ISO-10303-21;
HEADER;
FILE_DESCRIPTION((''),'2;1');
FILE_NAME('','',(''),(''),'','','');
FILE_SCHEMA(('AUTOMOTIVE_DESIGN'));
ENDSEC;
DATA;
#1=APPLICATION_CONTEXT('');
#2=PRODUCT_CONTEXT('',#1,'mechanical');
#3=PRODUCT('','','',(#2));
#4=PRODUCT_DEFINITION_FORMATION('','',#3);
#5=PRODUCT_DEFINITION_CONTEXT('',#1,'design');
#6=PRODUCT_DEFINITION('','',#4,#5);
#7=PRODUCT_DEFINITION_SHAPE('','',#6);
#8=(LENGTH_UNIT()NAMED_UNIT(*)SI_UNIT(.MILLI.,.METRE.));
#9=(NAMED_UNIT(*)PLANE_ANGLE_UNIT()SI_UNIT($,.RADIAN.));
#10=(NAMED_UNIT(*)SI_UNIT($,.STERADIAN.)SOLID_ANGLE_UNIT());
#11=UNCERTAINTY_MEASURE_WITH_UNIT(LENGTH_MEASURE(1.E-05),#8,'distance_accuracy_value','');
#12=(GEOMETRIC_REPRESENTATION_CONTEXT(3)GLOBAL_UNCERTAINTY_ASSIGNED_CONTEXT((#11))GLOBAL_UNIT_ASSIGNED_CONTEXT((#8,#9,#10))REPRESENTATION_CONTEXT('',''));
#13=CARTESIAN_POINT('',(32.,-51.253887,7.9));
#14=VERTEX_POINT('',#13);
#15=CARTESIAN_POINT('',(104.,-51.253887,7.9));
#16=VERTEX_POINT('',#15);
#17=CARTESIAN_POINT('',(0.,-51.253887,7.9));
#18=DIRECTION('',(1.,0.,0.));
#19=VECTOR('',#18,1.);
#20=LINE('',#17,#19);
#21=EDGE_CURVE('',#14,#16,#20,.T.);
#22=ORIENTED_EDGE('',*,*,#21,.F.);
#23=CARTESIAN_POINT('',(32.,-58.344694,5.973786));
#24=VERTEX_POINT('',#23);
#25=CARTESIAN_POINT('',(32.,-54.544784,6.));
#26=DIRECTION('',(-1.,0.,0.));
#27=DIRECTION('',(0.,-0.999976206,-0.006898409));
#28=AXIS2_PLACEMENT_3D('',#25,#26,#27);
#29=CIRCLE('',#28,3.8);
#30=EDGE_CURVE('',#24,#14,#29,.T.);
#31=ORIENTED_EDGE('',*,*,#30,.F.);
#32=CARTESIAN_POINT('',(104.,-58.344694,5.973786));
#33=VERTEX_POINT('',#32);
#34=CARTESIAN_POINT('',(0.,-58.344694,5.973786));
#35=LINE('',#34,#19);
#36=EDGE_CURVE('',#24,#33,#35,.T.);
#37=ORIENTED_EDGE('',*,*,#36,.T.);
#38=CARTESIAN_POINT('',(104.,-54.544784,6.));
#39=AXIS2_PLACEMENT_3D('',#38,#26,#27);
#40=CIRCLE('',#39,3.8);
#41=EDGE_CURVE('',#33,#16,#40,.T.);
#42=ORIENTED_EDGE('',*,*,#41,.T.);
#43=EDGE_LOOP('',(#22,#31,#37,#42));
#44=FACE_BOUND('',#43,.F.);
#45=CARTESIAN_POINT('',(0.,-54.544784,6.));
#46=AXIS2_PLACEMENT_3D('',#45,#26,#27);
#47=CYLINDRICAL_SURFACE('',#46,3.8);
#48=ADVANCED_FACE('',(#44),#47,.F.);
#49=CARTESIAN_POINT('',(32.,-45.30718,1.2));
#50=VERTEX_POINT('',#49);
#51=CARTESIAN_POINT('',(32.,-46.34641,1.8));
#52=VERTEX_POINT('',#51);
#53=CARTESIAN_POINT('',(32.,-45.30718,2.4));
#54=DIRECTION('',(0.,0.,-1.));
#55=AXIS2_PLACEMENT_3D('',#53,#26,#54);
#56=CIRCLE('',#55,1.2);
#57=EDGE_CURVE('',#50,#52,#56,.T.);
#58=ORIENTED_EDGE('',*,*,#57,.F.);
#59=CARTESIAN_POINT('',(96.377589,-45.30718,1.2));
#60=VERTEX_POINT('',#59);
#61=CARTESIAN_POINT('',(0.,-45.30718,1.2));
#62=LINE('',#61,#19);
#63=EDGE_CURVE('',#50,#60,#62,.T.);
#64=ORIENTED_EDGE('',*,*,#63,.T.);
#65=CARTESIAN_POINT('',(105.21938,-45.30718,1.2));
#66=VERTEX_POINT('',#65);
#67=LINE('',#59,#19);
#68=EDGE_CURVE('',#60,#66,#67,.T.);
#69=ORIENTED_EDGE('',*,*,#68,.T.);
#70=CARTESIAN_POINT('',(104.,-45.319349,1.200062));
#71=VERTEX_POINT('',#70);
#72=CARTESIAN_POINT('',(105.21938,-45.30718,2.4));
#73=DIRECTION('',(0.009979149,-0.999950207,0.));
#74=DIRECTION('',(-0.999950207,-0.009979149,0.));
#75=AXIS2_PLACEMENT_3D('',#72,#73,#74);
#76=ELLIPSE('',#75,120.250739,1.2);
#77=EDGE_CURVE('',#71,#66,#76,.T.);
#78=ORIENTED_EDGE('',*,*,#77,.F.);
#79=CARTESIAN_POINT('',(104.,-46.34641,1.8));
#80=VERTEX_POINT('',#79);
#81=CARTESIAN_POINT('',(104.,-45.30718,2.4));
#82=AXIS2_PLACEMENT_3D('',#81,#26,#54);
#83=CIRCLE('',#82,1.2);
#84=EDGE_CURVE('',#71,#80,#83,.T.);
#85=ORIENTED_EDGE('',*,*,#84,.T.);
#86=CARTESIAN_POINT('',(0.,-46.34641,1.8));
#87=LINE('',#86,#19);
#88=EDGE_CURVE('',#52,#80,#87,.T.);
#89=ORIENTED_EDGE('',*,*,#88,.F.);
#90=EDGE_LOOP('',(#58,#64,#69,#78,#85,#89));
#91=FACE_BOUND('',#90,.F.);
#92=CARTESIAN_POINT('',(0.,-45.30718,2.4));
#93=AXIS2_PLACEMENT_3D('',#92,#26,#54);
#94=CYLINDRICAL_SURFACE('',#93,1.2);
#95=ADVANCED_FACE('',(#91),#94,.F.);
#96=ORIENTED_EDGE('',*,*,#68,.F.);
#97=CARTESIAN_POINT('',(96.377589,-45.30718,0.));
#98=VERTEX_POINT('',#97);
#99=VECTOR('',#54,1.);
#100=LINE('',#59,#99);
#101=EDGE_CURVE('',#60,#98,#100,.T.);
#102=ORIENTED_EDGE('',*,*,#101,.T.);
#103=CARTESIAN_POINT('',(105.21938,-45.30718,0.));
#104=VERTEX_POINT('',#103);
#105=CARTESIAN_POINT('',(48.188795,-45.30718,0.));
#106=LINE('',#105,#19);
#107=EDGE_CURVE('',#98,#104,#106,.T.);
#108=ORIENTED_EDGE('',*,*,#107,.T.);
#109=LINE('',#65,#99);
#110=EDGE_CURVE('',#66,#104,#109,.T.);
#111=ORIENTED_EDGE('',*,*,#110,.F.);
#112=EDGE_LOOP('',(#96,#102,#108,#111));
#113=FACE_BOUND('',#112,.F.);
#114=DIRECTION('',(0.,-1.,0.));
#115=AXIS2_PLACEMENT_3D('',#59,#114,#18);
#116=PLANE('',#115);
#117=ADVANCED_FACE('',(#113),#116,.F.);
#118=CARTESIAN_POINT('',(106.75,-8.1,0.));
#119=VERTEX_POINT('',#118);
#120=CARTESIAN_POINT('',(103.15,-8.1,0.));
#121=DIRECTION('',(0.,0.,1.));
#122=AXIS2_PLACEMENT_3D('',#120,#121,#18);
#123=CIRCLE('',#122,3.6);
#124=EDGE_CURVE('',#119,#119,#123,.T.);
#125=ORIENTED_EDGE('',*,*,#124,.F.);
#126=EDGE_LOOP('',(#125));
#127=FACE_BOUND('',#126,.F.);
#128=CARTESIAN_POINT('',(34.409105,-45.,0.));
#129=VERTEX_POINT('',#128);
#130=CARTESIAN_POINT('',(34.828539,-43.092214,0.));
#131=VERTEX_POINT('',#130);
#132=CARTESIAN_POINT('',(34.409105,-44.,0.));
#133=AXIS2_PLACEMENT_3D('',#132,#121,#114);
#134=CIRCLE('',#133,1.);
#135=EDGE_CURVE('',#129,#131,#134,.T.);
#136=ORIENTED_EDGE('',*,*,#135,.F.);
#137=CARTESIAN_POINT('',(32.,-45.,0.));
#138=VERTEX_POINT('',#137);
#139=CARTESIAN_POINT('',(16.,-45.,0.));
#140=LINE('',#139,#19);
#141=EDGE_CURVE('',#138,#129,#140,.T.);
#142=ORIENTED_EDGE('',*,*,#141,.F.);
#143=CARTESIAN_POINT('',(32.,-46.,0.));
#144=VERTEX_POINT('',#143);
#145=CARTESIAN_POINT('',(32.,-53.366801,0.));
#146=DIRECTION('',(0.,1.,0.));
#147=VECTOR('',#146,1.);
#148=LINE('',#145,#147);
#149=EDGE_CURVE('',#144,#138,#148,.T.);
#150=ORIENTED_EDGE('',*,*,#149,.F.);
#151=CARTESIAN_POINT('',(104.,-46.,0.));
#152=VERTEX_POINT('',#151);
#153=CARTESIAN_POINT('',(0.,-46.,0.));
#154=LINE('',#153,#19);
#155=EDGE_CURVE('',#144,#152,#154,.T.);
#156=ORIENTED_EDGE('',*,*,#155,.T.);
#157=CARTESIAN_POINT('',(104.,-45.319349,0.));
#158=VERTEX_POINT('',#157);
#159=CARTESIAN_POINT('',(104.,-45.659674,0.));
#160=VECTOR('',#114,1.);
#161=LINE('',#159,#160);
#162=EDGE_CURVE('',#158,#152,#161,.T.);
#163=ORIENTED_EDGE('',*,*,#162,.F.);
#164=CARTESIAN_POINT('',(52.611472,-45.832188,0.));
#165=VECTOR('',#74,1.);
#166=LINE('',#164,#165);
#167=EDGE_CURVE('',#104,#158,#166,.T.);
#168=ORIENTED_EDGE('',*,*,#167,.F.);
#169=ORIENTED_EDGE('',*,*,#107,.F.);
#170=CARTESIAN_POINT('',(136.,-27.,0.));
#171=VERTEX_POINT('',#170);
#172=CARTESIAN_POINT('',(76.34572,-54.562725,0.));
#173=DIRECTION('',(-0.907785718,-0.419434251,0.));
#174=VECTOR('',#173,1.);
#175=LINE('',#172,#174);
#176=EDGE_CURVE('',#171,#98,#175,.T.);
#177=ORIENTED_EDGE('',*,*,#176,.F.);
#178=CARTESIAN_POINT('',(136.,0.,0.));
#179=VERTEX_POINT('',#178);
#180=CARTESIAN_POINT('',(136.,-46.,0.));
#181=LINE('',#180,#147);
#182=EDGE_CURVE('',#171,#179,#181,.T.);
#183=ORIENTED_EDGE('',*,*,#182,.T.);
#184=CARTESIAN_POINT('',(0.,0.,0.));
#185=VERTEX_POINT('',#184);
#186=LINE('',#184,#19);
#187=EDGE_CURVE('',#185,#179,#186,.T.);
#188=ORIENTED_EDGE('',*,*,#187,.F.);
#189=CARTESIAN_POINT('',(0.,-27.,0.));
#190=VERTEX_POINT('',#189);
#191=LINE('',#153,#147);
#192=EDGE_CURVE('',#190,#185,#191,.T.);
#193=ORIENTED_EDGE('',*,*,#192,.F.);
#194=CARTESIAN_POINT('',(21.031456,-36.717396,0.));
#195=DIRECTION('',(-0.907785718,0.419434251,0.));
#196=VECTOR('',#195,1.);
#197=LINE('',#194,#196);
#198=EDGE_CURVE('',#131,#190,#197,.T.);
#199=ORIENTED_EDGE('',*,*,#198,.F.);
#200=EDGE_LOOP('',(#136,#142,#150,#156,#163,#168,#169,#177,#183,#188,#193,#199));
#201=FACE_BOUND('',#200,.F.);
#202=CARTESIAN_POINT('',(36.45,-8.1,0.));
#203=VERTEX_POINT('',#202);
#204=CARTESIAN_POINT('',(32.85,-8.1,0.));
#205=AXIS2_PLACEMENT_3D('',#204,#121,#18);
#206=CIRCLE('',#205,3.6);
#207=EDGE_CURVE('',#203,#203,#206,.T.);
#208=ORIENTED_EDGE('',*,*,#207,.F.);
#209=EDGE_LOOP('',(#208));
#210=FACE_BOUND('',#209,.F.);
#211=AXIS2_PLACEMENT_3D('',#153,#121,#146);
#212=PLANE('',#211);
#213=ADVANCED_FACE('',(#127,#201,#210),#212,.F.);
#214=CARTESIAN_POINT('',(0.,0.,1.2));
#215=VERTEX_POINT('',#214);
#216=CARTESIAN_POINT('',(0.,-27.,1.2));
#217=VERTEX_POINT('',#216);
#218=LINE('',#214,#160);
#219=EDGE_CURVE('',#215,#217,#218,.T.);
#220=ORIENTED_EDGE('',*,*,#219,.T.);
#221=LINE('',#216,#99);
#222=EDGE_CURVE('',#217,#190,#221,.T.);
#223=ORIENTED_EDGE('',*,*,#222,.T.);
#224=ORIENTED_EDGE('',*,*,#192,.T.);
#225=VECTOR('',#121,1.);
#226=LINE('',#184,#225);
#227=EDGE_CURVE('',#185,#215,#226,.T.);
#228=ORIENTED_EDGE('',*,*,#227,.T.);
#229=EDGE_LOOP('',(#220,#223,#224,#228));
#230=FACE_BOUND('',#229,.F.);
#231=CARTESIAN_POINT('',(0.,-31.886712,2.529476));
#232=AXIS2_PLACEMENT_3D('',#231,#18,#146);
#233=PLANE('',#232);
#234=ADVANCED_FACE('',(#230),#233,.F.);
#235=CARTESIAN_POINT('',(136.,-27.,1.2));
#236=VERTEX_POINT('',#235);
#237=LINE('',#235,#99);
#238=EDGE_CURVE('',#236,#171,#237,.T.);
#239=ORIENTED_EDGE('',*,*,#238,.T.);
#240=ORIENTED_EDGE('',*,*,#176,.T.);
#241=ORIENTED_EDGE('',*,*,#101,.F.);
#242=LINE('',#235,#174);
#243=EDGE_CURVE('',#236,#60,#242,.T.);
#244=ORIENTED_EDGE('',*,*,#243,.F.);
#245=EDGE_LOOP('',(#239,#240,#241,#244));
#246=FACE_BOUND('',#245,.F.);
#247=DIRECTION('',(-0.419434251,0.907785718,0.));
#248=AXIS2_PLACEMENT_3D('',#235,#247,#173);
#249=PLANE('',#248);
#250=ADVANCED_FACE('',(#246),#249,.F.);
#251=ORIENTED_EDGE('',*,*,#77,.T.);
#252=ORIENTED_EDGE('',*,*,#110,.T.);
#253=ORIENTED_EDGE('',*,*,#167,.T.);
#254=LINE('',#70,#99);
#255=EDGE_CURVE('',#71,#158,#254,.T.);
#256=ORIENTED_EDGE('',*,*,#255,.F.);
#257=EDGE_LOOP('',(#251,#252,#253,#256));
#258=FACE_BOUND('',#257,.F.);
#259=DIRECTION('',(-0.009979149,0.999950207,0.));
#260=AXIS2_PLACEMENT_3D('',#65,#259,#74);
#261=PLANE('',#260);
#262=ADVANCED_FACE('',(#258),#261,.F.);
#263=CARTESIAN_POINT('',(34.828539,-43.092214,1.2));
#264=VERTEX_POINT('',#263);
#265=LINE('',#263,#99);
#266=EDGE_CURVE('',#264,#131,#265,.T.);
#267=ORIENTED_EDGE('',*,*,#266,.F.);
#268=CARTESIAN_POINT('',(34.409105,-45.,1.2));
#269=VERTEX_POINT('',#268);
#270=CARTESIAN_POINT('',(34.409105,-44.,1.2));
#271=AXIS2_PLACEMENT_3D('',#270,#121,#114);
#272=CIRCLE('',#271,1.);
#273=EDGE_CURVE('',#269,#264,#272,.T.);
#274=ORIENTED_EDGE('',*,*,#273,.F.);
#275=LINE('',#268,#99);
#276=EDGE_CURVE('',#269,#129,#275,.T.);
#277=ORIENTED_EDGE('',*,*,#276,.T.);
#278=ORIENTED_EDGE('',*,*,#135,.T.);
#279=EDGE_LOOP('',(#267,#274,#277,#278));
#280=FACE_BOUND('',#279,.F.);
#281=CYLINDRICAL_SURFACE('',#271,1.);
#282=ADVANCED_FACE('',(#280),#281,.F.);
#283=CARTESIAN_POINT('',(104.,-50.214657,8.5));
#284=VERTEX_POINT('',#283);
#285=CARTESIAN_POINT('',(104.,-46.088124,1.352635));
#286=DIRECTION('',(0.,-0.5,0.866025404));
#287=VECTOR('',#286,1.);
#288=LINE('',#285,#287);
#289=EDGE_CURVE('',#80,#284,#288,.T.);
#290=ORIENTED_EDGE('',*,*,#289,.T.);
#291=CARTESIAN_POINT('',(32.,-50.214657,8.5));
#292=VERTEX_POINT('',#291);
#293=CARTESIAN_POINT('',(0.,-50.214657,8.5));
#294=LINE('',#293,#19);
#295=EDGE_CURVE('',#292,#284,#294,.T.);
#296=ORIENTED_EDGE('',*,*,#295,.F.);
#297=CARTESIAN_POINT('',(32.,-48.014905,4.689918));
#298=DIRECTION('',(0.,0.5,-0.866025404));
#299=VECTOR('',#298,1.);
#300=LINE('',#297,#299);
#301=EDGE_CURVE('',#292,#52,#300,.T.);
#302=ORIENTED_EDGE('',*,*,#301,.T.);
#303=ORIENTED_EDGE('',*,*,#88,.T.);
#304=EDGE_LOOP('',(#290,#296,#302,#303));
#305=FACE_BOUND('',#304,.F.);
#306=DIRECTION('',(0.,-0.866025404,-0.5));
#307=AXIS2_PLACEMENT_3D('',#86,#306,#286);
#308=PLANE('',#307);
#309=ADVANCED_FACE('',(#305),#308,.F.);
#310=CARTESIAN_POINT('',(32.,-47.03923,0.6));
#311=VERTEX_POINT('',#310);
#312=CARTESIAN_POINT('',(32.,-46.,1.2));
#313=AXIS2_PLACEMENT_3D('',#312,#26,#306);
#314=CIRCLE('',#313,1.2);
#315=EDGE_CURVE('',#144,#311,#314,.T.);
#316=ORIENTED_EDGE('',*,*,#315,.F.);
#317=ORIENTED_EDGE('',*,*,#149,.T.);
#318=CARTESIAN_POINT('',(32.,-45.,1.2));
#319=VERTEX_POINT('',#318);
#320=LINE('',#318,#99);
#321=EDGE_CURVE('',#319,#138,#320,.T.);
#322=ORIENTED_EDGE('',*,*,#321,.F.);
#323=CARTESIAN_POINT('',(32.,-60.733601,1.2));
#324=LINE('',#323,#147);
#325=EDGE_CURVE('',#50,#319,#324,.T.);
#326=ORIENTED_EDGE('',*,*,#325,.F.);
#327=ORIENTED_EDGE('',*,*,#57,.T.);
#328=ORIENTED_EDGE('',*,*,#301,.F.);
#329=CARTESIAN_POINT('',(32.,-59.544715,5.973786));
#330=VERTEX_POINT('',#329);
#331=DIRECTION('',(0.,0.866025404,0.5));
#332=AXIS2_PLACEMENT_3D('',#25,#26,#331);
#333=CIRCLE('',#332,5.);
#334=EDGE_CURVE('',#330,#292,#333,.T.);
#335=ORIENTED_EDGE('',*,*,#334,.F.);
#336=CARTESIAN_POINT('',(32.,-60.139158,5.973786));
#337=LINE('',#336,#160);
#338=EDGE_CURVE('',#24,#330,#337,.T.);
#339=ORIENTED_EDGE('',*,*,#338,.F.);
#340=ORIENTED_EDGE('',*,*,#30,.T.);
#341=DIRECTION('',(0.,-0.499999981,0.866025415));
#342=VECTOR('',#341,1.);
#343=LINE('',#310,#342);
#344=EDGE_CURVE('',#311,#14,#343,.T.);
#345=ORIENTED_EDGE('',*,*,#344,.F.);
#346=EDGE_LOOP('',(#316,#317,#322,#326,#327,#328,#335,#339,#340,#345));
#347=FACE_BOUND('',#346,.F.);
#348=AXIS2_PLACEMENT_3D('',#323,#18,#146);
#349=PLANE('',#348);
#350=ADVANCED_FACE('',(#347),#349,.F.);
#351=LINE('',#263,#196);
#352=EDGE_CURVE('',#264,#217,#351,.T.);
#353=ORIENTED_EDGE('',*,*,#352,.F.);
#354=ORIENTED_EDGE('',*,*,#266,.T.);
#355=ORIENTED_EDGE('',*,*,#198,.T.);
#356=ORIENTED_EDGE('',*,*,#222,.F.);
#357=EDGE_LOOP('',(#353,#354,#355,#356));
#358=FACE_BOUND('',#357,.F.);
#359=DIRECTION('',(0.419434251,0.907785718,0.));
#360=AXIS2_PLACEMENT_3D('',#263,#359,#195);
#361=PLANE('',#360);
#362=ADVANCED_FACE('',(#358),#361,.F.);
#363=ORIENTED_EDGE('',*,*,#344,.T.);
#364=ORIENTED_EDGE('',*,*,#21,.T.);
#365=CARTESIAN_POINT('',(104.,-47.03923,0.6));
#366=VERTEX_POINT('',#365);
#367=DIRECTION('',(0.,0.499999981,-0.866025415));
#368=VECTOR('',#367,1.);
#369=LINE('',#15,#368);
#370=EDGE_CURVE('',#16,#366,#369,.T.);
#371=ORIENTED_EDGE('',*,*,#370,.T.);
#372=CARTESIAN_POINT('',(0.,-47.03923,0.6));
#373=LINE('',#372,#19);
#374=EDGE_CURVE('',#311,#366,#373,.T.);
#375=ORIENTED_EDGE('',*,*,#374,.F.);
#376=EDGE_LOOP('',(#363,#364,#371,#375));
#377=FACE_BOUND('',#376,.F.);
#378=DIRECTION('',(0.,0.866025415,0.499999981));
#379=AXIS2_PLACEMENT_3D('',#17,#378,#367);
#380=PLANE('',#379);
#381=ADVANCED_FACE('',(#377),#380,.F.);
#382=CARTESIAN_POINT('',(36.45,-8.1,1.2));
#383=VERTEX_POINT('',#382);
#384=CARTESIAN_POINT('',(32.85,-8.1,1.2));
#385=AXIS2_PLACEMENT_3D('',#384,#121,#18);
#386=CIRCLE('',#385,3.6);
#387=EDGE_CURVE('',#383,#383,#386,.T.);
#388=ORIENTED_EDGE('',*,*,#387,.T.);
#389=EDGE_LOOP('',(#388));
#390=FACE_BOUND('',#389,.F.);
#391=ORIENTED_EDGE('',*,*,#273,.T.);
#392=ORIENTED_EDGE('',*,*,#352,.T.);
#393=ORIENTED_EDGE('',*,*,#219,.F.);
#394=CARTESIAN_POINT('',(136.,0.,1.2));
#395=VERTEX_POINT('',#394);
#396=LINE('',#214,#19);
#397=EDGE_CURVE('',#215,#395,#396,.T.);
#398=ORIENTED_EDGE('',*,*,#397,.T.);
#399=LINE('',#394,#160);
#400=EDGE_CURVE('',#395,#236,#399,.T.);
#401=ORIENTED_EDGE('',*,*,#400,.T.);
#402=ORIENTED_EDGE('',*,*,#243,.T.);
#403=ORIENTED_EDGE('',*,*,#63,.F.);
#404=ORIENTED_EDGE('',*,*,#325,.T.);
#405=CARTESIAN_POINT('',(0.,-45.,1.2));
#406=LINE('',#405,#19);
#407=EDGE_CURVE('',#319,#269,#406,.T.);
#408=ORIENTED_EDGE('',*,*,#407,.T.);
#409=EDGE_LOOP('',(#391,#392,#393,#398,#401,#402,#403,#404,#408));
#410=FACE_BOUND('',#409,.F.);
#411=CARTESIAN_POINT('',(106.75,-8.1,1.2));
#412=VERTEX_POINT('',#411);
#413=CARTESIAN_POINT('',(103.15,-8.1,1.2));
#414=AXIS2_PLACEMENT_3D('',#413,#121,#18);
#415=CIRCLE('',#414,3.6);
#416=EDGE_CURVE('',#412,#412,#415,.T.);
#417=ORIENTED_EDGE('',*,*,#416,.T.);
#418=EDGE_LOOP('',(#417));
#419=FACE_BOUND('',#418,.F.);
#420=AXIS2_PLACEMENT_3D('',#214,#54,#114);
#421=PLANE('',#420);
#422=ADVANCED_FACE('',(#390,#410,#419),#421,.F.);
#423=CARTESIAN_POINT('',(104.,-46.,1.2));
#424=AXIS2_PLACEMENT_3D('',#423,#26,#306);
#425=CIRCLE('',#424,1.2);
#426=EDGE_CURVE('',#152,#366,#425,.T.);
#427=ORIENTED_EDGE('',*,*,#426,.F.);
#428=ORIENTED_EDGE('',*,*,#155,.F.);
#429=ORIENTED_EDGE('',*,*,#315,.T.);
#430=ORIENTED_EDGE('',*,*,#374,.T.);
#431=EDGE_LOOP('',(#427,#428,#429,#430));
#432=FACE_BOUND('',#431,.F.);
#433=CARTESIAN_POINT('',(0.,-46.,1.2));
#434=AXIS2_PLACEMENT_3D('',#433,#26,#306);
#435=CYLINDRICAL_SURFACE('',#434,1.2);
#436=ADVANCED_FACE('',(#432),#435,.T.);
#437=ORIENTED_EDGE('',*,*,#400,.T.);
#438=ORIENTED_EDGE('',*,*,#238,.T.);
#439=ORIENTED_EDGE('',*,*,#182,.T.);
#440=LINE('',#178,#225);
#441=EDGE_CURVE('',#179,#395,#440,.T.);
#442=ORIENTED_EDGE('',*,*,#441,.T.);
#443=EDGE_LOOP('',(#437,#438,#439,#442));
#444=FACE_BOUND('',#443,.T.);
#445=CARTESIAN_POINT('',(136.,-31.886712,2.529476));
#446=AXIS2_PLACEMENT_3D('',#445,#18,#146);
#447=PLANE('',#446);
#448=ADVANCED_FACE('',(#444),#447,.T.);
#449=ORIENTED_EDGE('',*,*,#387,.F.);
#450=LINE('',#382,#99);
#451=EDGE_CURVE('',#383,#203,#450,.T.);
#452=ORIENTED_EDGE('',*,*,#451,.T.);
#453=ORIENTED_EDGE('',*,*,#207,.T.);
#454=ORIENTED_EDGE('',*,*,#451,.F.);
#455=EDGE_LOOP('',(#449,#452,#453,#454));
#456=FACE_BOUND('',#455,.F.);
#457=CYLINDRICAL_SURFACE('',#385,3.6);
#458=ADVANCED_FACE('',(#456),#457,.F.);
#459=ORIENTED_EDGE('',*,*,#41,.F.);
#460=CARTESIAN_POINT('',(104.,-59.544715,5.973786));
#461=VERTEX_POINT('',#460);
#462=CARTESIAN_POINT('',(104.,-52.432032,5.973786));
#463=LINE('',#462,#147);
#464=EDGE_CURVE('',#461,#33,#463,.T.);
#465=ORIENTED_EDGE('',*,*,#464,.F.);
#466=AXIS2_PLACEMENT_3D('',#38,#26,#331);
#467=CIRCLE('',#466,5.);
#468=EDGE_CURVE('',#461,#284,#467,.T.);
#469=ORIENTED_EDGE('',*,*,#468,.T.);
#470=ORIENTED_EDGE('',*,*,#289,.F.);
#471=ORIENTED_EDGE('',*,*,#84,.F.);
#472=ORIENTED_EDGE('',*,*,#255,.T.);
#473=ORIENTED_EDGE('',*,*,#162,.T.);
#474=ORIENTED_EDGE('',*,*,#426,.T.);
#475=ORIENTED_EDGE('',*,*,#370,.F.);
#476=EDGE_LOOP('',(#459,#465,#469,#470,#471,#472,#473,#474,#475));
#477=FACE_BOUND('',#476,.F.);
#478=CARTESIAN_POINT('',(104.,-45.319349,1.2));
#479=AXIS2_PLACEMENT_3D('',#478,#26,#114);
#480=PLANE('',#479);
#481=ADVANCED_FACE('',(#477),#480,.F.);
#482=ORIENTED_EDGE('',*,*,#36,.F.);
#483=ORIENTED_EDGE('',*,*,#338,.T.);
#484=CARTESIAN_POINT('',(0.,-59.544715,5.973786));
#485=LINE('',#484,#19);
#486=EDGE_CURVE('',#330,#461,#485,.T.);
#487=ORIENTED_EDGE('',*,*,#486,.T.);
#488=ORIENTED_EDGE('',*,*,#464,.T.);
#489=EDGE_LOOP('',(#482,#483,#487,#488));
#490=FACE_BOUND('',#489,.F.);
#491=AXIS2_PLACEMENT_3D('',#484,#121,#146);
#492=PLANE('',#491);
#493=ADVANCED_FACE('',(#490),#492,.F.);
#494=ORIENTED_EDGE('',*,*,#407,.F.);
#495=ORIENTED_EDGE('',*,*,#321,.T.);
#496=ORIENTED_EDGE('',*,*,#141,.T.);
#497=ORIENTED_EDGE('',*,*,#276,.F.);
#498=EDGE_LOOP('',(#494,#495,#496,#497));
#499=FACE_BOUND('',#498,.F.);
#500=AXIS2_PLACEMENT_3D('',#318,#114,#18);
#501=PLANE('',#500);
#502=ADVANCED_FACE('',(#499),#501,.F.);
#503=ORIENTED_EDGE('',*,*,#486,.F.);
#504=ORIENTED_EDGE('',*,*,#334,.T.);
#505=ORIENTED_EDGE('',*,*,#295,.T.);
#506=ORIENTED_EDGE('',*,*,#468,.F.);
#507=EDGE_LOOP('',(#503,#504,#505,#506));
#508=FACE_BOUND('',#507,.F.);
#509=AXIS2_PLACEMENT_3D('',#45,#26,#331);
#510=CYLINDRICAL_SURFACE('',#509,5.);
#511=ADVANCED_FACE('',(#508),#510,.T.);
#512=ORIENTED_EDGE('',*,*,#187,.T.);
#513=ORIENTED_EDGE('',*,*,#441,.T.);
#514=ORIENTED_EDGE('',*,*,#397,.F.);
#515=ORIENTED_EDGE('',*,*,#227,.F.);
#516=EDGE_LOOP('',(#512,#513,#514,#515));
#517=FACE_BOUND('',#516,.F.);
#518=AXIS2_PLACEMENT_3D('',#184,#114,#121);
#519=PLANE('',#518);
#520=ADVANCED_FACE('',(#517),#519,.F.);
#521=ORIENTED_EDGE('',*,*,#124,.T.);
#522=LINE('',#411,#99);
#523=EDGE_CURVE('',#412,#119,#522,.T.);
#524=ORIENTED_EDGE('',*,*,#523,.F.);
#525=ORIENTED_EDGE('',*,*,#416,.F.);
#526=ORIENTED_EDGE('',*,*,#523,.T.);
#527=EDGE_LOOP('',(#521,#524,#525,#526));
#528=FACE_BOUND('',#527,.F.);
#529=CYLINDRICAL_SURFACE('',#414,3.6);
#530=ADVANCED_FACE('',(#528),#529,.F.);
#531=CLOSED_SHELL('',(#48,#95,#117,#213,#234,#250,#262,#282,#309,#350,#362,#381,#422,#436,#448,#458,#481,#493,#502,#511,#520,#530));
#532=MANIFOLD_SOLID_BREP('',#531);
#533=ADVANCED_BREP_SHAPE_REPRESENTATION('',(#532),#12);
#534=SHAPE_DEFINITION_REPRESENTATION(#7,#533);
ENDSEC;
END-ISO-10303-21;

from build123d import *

# Parameters (mm, degrees)
F1_DEPTH      = 136
F2_R          = 3.6
F2_W          = 32
F2_H          = 0.307179677
F2_H_2        = 15.4264217739
F3_DEPTH      = 25
F3_DEPTH_BACK = 25


with BuildPart() as f1:
    # F0 (on Right) → F1 (new body)
    with BuildSketch(Plane.YZ):
        with BuildLine():
            Line((-44.986820323, 0), (0, 0))
            Line((0, 0), (0, 1.2))
            Line((0, 1.2), (-45.307179677, 1.2))
            ThreePointArc((-45.307179677, 1.2), (-45.907179677, 1.3607695155), (-46.3464101615, 1.8))
            Line((-46.3464101615, 1.8), (-50.2146569651, 8.5))
            ThreePointArc((-50.2146569651, 8.5), (-55.8515351743, 10.8262201905), (-59.5447152664, 5.9737860459))
            Line((-59.5447152664, 5.9737860459), (-58.3446937529, 5.9737860459))
            ThreePointArc((-58.3446937529, 5.9737860459), (-55.5409509963, 9.6671041309), (-51.2538872874, 7.9000000936))
            Line((-51.2538872874, 7.9000000936), (-47.0392304845, 0.6))
            ThreePointArc((-47.0392304845, 0.6), (-46.6, 0.1607695155), (-46, 0))
            Line((-46, 0), (-44.986820323, 0))
        make_face()
    extrude(amount=F1_DEPTH)

    # F2 (on face) → F3 (cut, two sides)
    with BuildSketch(Plane.XY.offset(1.2)) as f3_sk:
        with Locations((32.85, -8.1)):
            Circle(F2_R)
        with Locations((103.15, -8.1)):
            Circle(F2_R)
        with BuildLine():
            Line((34.8285392911, -43.0922142824), (0, -27))
            Line((0, -27), (0, -45))
            Line((0, -45), (32, -45))
            Line((32, -45), (34.4091050401, -45))
            ThreePointArc((34.4091050401, -45), (35.3857794274, -44.2147257348), (34.8285392911, -43.0922142824))
        make_face()
        with Locations((16, -45.1535898385)):
            Rectangle(F2_W, F2_H)
        with Locations((16, -53.0203905639)):
            Rectangle(F2_W, F2_H_2)
        Polygon((136, -45.307179677), (105.2193802085, -45.307179677), (104, -45.3193486593), (104, -60.7336014509), (136, -60.7336014509), align=None)
        Polygon((136, -45), (136, -27), (96.3775890938, -45.307179677), (104, -45.307179677), (105.2193802085, -45.307179677), align=None)
        Polygon((136, -45.307179677), (136, -45), (105.2193802085, -45.307179677), align=None)
    extrude(amount=-F3_DEPTH, mode=Mode.SUBTRACT)
    extrude(f3_sk.sketch, amount=F3_DEPTH_BACK, mode=Mode.SUBTRACT)


solid = f1.part
